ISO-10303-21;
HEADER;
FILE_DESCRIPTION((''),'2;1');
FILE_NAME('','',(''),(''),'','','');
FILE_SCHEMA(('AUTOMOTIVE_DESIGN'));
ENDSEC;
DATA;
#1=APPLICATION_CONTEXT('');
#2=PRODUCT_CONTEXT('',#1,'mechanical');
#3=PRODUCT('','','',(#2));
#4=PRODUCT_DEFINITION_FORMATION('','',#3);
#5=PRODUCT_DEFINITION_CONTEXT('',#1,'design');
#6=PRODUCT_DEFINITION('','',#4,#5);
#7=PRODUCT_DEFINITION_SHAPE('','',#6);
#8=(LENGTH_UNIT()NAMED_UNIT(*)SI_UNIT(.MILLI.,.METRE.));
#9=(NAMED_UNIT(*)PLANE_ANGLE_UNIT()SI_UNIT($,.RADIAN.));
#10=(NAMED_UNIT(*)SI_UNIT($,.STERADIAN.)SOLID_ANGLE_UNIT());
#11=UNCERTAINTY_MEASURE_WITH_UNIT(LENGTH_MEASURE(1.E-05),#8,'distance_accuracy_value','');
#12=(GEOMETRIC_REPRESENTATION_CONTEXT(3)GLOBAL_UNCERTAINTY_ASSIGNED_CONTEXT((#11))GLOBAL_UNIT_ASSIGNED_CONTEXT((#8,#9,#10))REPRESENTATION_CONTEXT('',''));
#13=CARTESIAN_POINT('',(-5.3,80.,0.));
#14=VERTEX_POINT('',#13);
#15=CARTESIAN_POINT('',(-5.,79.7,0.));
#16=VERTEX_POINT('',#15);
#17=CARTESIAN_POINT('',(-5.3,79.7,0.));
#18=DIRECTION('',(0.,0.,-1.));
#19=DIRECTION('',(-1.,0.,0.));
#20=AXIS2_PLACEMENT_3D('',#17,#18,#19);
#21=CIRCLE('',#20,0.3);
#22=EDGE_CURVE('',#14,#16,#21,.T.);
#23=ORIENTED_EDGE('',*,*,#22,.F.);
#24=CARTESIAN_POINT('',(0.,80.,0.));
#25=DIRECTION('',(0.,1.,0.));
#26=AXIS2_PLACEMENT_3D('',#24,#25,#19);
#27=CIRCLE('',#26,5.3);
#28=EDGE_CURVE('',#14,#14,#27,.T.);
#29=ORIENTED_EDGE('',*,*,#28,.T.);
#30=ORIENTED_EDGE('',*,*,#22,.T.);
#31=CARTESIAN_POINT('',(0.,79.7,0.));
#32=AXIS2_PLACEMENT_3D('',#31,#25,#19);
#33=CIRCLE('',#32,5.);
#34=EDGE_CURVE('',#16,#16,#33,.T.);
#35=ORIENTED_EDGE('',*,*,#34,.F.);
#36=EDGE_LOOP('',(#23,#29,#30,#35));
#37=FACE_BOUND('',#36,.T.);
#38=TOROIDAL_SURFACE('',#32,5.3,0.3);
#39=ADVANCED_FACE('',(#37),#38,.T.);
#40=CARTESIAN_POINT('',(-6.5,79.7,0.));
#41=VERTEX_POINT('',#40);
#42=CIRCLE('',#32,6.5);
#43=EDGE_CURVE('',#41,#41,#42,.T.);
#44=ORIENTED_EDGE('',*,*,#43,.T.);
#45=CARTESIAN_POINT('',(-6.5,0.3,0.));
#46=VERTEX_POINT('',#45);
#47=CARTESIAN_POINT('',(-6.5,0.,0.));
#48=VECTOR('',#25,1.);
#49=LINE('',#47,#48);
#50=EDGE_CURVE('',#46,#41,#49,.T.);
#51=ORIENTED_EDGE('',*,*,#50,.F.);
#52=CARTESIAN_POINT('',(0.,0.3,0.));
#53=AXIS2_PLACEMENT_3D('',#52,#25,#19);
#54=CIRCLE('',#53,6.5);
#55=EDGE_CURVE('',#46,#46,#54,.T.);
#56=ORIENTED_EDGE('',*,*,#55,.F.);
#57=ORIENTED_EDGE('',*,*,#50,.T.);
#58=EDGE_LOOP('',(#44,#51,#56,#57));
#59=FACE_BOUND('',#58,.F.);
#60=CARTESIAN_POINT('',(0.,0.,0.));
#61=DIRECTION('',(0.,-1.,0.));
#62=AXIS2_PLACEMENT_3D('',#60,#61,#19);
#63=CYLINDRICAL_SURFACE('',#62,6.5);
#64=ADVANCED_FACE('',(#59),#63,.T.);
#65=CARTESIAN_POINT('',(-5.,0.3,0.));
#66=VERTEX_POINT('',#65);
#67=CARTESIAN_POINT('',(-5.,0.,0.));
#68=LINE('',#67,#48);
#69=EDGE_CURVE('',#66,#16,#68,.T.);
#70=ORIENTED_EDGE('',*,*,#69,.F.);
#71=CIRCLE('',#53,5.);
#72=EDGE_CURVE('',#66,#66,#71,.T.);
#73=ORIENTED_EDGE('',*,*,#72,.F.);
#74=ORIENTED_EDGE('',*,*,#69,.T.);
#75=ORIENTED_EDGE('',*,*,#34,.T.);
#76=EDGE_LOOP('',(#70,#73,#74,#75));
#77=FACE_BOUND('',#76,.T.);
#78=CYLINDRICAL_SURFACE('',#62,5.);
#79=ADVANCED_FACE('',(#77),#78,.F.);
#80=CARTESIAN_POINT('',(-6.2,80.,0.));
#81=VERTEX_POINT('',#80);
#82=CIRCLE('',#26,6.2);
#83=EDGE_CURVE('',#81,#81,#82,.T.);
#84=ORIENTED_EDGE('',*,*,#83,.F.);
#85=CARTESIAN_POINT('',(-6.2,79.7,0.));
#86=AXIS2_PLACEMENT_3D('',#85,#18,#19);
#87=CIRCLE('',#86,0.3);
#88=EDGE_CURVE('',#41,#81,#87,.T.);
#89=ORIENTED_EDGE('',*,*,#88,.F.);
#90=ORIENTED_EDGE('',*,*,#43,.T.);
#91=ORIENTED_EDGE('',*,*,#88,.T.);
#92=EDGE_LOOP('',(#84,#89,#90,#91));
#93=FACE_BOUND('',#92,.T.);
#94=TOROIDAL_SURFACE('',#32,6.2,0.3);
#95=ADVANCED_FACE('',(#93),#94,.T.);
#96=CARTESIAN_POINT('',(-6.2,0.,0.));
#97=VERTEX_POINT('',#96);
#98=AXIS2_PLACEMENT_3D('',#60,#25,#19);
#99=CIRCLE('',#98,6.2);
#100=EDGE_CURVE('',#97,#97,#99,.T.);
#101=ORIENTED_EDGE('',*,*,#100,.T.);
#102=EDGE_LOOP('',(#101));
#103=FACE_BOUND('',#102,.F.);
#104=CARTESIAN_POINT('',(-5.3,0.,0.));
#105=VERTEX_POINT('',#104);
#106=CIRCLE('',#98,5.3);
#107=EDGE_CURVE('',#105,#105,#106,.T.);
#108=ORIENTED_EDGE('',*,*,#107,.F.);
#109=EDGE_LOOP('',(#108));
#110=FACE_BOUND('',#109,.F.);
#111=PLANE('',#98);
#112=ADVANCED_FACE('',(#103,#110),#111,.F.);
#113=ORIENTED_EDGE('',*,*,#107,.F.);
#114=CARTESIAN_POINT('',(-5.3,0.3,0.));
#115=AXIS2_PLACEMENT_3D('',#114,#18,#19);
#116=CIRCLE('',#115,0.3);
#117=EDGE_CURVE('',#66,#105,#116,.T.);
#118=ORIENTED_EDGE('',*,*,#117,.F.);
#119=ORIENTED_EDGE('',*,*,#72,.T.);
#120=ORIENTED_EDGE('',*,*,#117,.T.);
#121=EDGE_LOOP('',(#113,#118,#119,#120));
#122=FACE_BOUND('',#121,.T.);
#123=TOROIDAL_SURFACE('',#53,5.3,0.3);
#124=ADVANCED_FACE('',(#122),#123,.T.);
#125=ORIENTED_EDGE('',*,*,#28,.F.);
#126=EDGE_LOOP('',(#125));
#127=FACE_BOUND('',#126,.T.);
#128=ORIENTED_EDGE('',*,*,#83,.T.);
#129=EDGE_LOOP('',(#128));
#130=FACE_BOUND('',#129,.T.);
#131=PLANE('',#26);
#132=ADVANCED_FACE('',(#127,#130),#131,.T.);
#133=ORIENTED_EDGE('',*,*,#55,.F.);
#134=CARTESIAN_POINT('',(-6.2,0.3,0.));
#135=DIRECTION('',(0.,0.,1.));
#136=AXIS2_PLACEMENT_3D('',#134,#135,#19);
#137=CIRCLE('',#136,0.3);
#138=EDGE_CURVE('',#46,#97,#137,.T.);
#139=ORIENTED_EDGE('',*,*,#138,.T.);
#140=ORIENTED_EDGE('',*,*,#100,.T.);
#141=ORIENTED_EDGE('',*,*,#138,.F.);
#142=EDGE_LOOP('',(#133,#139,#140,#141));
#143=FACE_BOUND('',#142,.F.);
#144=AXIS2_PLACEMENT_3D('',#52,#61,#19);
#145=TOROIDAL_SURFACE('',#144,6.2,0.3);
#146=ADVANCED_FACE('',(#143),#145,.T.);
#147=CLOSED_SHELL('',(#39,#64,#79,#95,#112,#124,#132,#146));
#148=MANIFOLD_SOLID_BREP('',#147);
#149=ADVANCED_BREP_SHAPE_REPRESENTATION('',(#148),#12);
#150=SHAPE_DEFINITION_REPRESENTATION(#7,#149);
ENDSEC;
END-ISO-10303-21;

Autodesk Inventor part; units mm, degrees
ref_plane "YZ Plane" through (0, 0, 0) normal (1, 0, 0) x (0, 1, 0)
ref_plane "XZ Plane" through (0, 0, 0) normal (0, 1, 0) x (-1, 0, 0)
ref_plane "XY Plane" through (0, 0, 0) normal (0, 0, 1) x (1, 0, 0)
sketch "Sketch3" plane through (0, 0, 0) normal (0, 1, 0) x (-1, 0, 0)
  circle A0 centre (0, 0) radius 6.5
  circle A1 centre (0, 0) radius 5
  dimension "d4" = 13
  dimension "d6" = 10
extrude "Extrusion2" add sketch "Sketch3" along normal blind 80
fillet "Fillet1" radius 0.3 2 edges at (6.5, 0, 0) (5, 0, 0)
fillet "Fillet2" radius 0.3 1 edges at (6.5, 80, 0)
fillet "Fillet3" radius 0.3 1 edges at (5, 80, 0)
properties part number "tube_long" material "Glass"
